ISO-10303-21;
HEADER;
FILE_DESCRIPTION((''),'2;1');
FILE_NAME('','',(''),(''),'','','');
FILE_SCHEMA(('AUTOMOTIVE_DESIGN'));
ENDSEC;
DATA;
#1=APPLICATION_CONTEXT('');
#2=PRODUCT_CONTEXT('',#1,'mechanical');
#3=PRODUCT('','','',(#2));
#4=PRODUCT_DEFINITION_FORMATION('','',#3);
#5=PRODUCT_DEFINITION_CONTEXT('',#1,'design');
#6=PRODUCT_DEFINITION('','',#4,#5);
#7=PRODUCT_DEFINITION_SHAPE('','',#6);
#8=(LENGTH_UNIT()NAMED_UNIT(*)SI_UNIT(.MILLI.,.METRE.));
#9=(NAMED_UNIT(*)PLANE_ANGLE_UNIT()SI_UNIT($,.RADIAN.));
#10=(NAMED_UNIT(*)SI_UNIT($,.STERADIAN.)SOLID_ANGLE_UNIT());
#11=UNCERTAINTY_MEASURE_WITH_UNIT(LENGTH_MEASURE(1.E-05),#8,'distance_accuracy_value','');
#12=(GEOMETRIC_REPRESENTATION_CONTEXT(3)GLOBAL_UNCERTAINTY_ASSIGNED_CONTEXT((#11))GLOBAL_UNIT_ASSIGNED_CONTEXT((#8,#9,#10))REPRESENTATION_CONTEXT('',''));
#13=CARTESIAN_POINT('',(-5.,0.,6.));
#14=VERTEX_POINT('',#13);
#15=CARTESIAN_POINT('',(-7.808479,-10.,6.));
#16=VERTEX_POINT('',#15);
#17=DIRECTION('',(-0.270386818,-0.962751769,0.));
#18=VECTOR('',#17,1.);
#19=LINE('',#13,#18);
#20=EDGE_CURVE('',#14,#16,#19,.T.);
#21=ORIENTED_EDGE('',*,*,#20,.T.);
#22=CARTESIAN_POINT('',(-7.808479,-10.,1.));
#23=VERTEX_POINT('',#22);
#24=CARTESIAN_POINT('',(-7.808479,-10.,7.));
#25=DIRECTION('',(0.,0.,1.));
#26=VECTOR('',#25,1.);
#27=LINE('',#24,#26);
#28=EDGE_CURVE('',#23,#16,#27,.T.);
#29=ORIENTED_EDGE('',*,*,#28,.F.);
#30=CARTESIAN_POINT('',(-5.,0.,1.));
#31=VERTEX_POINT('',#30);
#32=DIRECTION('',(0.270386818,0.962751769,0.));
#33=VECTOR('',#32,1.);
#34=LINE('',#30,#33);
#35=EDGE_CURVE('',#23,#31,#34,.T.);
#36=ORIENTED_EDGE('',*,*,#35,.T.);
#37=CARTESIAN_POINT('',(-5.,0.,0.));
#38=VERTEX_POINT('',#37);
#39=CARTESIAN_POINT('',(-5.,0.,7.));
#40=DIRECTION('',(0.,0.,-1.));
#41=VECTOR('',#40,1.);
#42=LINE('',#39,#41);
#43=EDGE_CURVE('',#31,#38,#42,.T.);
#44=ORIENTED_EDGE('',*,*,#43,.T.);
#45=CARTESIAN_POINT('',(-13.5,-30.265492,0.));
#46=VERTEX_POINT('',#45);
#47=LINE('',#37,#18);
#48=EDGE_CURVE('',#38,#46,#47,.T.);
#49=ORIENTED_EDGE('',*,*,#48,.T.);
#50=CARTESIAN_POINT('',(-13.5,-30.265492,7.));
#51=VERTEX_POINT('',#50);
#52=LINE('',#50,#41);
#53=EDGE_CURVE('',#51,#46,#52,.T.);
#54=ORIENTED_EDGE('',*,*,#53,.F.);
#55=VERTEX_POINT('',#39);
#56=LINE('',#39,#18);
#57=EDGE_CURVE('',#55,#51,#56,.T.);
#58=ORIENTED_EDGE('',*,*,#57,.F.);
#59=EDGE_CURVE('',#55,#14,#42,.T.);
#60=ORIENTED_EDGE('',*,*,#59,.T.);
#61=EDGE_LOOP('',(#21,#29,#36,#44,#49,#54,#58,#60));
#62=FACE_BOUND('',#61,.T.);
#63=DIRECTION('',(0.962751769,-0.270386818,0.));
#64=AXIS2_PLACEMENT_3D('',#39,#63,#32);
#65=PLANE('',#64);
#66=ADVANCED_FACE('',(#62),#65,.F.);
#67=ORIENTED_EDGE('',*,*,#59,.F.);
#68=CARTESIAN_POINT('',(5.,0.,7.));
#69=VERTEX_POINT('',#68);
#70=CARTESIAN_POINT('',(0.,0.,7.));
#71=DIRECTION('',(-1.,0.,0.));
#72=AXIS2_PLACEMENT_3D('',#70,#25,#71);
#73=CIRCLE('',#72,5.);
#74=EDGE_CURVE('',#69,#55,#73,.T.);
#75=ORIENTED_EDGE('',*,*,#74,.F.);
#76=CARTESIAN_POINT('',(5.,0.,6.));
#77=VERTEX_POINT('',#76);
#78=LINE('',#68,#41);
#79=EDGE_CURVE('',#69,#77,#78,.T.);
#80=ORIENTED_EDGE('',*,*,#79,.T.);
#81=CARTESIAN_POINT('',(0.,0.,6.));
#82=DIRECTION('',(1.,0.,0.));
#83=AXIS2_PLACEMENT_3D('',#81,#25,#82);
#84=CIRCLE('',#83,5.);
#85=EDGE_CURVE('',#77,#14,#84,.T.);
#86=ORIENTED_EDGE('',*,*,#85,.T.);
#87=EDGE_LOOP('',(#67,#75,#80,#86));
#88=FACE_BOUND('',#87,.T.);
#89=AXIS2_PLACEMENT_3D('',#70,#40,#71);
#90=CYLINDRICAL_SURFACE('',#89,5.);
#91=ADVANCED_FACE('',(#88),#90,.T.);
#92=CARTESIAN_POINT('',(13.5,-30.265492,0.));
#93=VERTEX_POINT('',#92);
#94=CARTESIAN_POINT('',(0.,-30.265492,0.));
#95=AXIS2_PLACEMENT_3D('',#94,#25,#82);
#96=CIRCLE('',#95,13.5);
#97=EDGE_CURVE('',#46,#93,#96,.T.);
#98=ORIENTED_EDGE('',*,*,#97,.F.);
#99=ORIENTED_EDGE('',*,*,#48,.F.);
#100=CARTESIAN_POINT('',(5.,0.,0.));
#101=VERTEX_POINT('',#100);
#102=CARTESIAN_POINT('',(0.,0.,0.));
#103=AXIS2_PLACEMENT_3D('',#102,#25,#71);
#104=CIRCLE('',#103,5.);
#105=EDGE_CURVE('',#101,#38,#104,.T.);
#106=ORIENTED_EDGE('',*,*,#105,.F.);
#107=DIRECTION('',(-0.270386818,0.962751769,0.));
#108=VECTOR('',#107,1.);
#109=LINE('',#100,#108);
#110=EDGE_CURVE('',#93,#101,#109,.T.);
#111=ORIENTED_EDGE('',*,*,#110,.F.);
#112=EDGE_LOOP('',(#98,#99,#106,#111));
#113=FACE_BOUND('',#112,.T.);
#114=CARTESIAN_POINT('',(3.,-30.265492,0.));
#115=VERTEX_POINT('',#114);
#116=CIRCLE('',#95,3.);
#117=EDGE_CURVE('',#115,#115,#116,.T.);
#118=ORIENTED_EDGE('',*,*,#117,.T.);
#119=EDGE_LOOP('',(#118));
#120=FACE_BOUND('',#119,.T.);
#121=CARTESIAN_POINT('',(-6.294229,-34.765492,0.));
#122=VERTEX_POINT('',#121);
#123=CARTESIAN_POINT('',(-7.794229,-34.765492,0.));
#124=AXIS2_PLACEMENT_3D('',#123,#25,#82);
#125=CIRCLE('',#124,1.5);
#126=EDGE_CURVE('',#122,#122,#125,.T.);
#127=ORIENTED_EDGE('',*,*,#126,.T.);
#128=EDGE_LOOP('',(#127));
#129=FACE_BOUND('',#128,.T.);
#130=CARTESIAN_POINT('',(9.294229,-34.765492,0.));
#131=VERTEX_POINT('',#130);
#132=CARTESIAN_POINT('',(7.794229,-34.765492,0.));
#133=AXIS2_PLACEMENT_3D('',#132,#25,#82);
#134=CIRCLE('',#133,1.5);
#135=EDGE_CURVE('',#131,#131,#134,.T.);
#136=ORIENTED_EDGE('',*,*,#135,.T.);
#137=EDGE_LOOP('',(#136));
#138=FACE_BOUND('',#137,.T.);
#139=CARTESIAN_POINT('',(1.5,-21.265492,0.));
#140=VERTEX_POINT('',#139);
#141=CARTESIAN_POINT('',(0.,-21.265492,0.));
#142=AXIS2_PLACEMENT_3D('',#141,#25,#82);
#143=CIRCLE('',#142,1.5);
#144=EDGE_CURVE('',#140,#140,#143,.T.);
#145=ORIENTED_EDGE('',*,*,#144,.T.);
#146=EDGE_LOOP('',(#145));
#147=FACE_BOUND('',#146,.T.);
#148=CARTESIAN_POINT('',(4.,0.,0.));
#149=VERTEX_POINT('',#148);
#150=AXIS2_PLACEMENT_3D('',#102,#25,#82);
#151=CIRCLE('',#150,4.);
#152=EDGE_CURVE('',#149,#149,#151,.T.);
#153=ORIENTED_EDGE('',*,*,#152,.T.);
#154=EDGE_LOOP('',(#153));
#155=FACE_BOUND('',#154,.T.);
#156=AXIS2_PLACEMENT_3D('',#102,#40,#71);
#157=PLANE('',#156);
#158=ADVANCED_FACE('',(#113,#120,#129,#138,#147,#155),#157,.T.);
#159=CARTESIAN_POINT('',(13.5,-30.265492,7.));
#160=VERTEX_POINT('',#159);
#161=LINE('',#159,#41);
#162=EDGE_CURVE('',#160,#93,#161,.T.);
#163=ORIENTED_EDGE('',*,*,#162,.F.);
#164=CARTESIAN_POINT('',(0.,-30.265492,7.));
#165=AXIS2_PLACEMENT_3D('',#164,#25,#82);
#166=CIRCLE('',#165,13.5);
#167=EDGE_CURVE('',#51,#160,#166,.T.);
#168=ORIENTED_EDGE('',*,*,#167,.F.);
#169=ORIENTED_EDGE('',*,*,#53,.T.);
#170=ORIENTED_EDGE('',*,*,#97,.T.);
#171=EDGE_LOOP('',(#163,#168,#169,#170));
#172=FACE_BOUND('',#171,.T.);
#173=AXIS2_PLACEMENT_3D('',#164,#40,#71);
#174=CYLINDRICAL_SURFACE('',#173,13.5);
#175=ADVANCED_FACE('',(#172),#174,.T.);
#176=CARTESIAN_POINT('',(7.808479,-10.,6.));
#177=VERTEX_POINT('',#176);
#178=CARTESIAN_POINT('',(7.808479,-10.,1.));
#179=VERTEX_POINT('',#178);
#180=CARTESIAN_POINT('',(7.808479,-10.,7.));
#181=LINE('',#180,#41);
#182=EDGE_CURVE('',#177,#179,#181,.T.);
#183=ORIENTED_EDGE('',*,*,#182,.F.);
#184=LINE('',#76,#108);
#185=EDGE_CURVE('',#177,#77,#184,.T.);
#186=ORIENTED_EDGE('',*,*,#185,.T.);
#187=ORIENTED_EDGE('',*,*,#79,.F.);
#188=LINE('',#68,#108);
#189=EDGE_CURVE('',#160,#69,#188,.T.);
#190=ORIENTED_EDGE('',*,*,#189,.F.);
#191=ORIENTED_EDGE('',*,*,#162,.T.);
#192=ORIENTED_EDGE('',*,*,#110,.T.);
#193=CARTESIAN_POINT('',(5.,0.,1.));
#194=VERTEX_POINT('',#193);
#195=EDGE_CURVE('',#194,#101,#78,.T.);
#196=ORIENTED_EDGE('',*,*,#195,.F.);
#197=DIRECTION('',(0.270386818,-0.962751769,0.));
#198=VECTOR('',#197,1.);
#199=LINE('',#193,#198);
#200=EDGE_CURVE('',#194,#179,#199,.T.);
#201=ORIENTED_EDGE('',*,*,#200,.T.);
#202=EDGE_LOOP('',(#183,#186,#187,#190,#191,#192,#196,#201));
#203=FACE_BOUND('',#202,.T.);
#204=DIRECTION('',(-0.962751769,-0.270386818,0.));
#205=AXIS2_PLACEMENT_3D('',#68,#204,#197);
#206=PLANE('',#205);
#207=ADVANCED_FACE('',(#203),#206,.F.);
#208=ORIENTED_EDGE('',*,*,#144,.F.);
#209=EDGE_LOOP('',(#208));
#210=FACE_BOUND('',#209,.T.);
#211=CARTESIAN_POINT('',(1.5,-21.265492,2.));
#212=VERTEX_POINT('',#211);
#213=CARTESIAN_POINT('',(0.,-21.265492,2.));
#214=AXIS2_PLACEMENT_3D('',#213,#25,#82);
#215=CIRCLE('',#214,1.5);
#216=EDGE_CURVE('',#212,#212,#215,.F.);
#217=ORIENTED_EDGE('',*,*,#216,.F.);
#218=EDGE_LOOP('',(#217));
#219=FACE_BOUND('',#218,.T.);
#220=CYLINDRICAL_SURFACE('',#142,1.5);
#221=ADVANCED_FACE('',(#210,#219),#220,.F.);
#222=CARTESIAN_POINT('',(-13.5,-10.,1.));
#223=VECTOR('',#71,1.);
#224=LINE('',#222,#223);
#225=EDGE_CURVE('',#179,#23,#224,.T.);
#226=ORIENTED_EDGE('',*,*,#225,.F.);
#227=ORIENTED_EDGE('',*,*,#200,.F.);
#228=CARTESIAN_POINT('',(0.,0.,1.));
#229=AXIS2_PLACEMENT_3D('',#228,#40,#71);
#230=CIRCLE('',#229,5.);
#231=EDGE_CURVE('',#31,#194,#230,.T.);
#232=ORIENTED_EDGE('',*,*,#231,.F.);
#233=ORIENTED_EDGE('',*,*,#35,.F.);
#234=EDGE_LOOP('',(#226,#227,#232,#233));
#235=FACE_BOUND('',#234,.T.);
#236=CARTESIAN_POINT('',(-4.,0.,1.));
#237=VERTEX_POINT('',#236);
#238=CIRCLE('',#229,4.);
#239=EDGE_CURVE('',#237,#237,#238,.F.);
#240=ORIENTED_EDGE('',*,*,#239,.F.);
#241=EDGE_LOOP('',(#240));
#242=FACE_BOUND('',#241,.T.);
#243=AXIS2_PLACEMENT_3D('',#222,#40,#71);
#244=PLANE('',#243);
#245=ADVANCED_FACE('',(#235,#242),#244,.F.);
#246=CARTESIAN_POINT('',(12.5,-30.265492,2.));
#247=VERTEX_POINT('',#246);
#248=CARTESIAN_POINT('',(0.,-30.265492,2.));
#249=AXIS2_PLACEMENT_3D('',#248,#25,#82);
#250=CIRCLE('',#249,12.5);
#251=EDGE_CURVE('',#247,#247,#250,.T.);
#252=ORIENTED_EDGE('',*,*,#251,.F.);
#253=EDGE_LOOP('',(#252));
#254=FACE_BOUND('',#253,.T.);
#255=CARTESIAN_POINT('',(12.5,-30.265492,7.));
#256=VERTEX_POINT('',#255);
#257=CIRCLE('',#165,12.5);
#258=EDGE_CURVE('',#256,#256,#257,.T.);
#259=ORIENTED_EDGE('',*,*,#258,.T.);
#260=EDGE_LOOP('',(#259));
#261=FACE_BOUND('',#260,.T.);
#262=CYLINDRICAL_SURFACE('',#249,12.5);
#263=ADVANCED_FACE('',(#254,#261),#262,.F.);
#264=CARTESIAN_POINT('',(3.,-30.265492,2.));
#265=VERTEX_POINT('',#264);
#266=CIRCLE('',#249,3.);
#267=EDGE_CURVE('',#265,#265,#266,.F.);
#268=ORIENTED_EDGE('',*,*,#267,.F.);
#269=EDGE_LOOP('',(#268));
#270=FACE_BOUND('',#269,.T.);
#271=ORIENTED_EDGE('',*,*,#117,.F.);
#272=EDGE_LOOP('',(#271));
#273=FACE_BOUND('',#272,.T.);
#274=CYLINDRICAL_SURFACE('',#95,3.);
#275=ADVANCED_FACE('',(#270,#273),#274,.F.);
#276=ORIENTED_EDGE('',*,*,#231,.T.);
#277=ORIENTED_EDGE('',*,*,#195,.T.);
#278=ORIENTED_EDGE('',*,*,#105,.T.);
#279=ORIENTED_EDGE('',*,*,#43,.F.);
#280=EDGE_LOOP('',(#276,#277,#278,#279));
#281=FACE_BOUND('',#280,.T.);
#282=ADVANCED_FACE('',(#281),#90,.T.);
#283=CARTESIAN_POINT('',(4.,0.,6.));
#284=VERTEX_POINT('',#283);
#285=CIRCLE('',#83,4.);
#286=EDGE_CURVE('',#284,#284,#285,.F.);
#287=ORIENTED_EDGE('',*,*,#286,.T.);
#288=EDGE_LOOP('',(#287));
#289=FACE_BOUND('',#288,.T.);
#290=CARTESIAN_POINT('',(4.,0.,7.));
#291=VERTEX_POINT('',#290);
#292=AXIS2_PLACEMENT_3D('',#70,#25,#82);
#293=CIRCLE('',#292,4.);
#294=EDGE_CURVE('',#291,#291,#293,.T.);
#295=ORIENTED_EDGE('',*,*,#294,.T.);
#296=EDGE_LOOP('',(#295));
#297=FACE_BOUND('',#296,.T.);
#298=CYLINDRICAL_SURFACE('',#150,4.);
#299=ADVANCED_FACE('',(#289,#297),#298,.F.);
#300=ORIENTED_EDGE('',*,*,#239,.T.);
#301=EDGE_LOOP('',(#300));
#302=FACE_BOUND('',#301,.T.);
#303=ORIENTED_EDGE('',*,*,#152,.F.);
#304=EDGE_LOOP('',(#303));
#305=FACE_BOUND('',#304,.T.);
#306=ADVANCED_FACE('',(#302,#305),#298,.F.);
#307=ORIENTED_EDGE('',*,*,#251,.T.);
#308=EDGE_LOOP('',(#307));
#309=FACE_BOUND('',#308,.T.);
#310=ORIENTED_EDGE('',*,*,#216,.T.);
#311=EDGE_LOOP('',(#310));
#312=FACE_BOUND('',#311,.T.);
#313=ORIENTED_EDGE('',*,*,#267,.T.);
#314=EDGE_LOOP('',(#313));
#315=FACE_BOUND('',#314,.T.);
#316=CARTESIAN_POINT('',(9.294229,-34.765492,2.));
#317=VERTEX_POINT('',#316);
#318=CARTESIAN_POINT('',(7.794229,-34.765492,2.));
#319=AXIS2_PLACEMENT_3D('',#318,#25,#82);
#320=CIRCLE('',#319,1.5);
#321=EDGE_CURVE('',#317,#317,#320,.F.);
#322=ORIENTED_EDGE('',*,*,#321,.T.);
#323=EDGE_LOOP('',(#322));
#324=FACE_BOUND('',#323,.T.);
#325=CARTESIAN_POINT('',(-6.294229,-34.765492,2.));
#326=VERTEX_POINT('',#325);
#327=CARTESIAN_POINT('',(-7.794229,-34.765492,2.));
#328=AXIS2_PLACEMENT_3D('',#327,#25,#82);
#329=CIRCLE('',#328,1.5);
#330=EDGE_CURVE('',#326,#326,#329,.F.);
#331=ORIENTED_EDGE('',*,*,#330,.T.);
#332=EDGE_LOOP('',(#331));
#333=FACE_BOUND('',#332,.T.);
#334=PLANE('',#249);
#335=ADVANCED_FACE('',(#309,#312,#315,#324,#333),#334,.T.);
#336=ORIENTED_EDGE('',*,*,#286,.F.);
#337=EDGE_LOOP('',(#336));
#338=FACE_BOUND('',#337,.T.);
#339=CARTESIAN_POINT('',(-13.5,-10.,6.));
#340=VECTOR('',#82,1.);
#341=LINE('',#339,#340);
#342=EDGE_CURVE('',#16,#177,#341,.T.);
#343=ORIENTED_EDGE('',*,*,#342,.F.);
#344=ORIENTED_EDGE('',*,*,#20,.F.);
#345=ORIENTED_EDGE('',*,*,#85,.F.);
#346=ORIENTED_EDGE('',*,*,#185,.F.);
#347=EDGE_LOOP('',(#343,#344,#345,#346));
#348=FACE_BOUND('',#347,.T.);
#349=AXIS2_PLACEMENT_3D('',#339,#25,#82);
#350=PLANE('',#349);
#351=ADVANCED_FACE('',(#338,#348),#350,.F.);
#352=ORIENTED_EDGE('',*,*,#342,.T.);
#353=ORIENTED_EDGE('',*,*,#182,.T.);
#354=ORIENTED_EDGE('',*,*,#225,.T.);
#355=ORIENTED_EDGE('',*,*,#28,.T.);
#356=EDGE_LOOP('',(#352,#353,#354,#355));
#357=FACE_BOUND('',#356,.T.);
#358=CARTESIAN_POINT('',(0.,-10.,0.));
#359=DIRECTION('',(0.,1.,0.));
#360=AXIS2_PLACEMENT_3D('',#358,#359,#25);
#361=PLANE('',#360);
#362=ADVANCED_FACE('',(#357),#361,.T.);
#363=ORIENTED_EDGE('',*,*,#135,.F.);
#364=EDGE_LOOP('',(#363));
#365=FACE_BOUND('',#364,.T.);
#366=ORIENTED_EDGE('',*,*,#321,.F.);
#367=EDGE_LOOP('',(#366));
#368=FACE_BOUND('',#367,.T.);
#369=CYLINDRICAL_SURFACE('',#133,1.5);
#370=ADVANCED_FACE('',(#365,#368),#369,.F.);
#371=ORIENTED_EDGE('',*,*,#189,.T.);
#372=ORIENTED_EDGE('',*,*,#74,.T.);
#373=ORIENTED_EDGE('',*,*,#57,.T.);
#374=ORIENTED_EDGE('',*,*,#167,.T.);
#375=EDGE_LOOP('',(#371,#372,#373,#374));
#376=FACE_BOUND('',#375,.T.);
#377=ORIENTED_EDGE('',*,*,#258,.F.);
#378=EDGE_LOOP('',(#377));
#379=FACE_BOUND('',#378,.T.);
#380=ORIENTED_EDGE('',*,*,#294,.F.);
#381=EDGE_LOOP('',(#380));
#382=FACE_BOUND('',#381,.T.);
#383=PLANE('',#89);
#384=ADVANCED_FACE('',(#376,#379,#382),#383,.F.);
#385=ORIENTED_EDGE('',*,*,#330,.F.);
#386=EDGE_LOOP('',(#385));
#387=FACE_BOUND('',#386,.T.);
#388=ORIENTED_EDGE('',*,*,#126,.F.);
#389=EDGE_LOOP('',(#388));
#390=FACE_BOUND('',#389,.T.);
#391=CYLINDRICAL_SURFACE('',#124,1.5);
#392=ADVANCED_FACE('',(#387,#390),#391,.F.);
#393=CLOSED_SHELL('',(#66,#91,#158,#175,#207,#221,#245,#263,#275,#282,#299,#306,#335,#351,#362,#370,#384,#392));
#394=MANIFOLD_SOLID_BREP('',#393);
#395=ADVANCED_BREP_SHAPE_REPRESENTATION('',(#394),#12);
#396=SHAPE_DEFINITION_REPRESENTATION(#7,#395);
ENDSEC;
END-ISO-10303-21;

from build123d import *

# Parameters (mm, degrees)
BOSS_EXTRU_1_DEPTH      = 7
ESQUISSE2_R             = 3
ENL_V_MAT_EXTRU_1_DEPTH = 7
ESQUISSE3_R             = 1.5
ENL_V_MAT_EXTRU_2_DEPTH = 7
ESQUISSE4_R             = 4
ENL_V_MAT_EXTRU_3_DEPTH = 7
ESQUISSE5_R             = 12.5
ENL_V_MAT_EXTRU_4_DEPTH = 5
ESQUISSE6_W             = 27
ESQUISSE6_H             = 5
ENL_V_MAT_EXTRU_5_DEPTH = 20


with BuildPart() as part:
    # Esquisse1 → Boss.-Extru.1 (new body)
    with BuildSketch(Plane.XY):
        with BuildLine():
            Line((5, 0), (13.5, -30.265491901))
            ThreePointArc((13.5, -30.265491901), (0, -43.765491901), (-13.5, -30.265491901))
            Line((-13.5, -30.265491901), (-5, 0))
            ThreePointArc((-5, 0), (0, 5), (5, 0))
        make_face()
    extrude(amount=BOSS_EXTRU_1_DEPTH)

    # Esquisse2 → Enlèv. mat.-Extru.1 (cut)
    with BuildSketch(Plane.XY.offset(7)):
        with Locations((0, -30.265491901)):
            Circle(ESQUISSE2_R)
    extrude(amount=-ENL_V_MAT_EXTRU_1_DEPTH, mode=Mode.SUBTRACT)

    # Esquisse3 → Enlèv. mat.-Extru.2 (cut)
    with BuildSketch(Plane.XY.offset(7)):
        with Locations((0, -21.265491901)):
            Circle(ESQUISSE3_R)
        with Locations((-7.794228634, -34.765491901)):
            Circle(ESQUISSE3_R)
        with Locations((7.794228634, -34.765491901)):
            Circle(ESQUISSE3_R)
    extrude(amount=-ENL_V_MAT_EXTRU_2_DEPTH, mode=Mode.SUBTRACT)

    # Esquisse4 → Enlèv. mat.-Extru.3 (cut)
    with BuildSketch(Plane.XY.offset(7)):
        Circle(ESQUISSE4_R)
    extrude(amount=-ENL_V_MAT_EXTRU_3_DEPTH, mode=Mode.SUBTRACT)

    # Esquisse5 → Enlèv. mat.-Extru.4 (cut)
    with BuildSketch(Plane.XY.offset(7)):
        with Locations((0, -30.265491901)):
            Circle(ESQUISSE5_R)
    extrude(amount=-ENL_V_MAT_EXTRU_4_DEPTH, mode=Mode.SUBTRACT)

    # Esquisse6 → Enlèv. mat.-Extru.5 (cut)
    with BuildSketch(Plane(origin=(0, 10, 0), x_dir=(1, 0, 0), z_dir=(0, 1, 0))):
        with Locations((0, -3.5)):
            Rectangle(ESQUISSE6_W, ESQUISSE6_H)
    extrude(amount=-ENL_V_MAT_EXTRU_5_DEPTH, mode=Mode.SUBTRACT)


solid = part.part
